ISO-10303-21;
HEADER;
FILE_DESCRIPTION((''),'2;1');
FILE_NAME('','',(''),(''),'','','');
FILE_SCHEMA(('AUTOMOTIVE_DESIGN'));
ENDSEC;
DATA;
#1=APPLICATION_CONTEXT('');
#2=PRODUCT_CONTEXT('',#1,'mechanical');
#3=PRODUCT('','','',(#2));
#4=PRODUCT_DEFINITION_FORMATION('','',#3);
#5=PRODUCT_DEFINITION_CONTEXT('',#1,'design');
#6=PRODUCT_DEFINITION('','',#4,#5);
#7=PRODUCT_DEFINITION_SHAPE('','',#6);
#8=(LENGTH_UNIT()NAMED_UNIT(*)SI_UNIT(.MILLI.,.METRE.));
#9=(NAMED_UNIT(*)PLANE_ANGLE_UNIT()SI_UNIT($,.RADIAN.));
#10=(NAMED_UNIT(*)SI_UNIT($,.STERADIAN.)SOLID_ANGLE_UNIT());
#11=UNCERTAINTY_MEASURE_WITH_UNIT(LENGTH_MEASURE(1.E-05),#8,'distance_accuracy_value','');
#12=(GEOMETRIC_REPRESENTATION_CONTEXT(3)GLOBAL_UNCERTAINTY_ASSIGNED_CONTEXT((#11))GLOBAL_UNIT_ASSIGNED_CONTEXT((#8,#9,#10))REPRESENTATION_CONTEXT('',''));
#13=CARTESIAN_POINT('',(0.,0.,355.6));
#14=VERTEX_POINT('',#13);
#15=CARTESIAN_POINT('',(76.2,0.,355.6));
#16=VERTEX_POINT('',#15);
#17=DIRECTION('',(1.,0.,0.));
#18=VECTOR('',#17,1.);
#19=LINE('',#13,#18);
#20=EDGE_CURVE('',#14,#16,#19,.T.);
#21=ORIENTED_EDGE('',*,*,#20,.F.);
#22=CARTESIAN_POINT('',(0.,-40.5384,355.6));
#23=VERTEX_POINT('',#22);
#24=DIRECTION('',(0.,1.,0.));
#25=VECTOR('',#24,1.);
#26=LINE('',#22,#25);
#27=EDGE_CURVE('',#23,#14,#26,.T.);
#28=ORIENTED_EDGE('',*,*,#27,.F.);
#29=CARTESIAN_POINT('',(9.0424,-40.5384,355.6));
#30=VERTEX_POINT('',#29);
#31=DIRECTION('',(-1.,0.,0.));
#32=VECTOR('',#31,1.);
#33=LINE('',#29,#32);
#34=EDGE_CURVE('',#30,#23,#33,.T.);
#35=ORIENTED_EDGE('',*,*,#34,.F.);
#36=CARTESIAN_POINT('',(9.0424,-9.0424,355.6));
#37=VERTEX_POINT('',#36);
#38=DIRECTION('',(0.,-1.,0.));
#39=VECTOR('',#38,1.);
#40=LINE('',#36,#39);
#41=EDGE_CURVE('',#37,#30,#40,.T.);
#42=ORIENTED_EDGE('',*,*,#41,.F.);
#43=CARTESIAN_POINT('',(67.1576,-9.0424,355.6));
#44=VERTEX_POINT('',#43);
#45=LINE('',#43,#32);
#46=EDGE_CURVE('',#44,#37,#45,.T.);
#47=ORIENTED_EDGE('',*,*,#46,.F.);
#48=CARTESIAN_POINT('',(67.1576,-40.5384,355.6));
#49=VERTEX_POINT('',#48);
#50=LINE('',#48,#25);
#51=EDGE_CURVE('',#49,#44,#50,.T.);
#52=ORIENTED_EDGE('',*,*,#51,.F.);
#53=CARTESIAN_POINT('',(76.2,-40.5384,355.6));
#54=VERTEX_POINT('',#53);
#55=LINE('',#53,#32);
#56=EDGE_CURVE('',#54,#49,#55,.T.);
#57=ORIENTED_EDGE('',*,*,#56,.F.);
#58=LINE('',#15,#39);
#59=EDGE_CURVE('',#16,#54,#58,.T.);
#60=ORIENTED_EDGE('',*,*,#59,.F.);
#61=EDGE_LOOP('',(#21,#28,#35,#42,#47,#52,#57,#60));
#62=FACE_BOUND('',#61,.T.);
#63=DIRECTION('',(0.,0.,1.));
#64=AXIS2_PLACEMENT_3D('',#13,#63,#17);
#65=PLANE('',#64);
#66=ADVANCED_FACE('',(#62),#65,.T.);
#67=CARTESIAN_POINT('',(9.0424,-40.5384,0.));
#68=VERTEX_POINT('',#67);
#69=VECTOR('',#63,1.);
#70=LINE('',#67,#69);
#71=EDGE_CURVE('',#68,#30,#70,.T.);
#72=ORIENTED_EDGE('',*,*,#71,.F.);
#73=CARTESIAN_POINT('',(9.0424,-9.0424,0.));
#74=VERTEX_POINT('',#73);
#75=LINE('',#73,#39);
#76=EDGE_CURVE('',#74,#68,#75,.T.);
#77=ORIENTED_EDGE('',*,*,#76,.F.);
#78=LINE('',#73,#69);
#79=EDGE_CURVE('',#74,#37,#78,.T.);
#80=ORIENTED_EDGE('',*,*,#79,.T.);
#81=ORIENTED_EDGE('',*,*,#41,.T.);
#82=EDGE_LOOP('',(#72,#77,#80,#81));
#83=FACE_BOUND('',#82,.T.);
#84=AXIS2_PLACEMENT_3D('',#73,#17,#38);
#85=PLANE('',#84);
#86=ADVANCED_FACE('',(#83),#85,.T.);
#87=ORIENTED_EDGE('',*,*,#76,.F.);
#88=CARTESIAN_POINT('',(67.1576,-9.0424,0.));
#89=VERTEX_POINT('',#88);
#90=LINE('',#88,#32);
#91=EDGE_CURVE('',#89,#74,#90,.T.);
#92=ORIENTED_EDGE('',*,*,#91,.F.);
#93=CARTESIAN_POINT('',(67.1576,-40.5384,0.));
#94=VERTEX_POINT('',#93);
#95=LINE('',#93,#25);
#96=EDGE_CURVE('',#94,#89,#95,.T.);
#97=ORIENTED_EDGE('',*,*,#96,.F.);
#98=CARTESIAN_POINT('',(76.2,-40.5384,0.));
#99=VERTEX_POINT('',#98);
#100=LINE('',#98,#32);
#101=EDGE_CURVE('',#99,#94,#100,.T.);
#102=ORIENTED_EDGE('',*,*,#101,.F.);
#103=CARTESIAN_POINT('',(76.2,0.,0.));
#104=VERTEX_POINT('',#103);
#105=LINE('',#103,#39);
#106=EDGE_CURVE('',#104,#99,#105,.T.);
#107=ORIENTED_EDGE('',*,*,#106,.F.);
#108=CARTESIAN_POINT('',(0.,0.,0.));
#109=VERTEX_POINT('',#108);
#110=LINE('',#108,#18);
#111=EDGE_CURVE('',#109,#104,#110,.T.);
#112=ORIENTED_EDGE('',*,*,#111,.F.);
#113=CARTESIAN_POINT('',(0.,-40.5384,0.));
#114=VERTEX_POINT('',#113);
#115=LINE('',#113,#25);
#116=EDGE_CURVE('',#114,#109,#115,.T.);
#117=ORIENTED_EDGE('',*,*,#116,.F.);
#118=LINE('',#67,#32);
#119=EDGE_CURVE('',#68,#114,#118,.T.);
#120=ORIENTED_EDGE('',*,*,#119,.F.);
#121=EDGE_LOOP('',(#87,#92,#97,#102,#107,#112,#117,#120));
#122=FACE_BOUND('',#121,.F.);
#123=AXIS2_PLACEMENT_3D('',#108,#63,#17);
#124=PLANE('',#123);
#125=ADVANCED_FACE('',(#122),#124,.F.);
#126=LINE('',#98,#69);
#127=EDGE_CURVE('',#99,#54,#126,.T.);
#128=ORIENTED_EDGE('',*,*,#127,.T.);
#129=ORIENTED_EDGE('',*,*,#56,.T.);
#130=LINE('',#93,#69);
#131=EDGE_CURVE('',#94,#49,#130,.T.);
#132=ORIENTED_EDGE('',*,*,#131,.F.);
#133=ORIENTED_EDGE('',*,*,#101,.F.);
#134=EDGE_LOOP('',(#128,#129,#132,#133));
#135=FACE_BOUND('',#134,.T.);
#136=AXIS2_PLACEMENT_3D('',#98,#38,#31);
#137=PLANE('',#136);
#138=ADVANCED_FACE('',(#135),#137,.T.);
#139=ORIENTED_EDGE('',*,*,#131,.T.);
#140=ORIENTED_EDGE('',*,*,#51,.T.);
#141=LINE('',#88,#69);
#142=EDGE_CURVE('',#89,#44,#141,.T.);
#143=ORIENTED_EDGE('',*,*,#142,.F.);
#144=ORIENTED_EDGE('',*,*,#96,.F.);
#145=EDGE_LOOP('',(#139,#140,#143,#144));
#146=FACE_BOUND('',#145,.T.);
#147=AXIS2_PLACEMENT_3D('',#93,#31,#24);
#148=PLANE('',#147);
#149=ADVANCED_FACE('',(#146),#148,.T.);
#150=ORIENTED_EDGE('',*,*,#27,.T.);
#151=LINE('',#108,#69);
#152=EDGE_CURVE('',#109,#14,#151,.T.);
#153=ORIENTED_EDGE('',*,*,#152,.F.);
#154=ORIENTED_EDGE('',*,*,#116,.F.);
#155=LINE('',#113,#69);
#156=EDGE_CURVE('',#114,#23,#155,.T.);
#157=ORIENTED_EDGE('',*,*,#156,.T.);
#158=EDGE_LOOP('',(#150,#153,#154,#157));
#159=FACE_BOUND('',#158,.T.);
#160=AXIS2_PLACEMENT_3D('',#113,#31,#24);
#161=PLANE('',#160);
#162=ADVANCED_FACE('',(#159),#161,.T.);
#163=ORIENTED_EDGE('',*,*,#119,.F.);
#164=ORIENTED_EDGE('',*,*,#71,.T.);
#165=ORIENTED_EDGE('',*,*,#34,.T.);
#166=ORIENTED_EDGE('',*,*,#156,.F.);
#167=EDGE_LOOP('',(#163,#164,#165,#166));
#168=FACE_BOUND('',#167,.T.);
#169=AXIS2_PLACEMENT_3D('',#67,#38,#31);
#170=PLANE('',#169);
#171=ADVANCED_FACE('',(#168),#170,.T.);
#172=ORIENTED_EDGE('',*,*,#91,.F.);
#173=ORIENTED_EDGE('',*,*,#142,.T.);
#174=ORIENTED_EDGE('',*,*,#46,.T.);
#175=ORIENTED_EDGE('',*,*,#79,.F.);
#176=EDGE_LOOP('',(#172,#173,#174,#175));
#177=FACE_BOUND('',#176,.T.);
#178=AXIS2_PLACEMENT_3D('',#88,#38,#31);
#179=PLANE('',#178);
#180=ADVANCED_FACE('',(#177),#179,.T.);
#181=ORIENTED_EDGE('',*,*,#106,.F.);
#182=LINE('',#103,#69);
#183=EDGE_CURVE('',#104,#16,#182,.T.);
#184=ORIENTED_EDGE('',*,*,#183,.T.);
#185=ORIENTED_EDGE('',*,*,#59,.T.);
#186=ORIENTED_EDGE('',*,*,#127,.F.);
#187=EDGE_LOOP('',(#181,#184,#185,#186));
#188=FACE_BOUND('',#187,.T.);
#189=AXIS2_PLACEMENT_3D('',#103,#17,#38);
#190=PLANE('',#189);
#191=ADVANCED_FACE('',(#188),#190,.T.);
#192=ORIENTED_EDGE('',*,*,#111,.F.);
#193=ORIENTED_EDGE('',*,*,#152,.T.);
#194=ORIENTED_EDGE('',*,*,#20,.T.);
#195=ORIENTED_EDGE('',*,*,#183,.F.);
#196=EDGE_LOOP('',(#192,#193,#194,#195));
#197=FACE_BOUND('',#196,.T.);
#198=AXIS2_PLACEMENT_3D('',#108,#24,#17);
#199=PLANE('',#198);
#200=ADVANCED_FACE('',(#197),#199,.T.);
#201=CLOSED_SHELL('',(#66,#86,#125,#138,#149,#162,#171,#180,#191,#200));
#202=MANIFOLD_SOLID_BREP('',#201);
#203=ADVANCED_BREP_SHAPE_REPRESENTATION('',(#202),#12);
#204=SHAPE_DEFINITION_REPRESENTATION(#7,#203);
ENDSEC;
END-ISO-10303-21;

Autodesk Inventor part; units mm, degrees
ref_plane "YZ Plane" through (0, 0, 0) normal (1, 0, 0) x (0, 1, 0)
ref_plane "XZ Plane" through (0, 0, 0) normal (0, 1, 0) x (-1, 0, 0)
ref_plane "XY Plane" through (0, 0, 0) normal (0, 0, 1) x (1, 0, 0)
sketch "Sketch1" plane through (0, 0, 0) normal (0, 0, 1) x (1, 0, 0)
  line L0 (0, 0) -> (76.2, 0)
  line L1 (76.2, 0) -> (76.2, -40.5384)
  line L2 (76.2, -40.5384) -> (67.1576, -40.5384)
  line L3 (67.1576, -40.5384) -> (67.1576, -9.0424)
  line L4 (67.1576, -9.0424) -> (9.0424, -9.0424)
  line L5 (9.0424, -9.0424) -> (9.0424, -40.5384)
  line L6 (9.0424, -40.5384) -> (0, -40.5384)
  line L7 (0, -40.5384) -> (0, 0)
  dimension "d0" = 76.2
  dimension "d1" = 40.5384
  dimension "d2" = 9.0424
  dimension "d3" = 9.0424
  dimension "d4" = 9.0424
extrude "Extrusion1" add sketch "Sketch1" along normal blind 355.6
properties part number "LongC3x6Top14in"
